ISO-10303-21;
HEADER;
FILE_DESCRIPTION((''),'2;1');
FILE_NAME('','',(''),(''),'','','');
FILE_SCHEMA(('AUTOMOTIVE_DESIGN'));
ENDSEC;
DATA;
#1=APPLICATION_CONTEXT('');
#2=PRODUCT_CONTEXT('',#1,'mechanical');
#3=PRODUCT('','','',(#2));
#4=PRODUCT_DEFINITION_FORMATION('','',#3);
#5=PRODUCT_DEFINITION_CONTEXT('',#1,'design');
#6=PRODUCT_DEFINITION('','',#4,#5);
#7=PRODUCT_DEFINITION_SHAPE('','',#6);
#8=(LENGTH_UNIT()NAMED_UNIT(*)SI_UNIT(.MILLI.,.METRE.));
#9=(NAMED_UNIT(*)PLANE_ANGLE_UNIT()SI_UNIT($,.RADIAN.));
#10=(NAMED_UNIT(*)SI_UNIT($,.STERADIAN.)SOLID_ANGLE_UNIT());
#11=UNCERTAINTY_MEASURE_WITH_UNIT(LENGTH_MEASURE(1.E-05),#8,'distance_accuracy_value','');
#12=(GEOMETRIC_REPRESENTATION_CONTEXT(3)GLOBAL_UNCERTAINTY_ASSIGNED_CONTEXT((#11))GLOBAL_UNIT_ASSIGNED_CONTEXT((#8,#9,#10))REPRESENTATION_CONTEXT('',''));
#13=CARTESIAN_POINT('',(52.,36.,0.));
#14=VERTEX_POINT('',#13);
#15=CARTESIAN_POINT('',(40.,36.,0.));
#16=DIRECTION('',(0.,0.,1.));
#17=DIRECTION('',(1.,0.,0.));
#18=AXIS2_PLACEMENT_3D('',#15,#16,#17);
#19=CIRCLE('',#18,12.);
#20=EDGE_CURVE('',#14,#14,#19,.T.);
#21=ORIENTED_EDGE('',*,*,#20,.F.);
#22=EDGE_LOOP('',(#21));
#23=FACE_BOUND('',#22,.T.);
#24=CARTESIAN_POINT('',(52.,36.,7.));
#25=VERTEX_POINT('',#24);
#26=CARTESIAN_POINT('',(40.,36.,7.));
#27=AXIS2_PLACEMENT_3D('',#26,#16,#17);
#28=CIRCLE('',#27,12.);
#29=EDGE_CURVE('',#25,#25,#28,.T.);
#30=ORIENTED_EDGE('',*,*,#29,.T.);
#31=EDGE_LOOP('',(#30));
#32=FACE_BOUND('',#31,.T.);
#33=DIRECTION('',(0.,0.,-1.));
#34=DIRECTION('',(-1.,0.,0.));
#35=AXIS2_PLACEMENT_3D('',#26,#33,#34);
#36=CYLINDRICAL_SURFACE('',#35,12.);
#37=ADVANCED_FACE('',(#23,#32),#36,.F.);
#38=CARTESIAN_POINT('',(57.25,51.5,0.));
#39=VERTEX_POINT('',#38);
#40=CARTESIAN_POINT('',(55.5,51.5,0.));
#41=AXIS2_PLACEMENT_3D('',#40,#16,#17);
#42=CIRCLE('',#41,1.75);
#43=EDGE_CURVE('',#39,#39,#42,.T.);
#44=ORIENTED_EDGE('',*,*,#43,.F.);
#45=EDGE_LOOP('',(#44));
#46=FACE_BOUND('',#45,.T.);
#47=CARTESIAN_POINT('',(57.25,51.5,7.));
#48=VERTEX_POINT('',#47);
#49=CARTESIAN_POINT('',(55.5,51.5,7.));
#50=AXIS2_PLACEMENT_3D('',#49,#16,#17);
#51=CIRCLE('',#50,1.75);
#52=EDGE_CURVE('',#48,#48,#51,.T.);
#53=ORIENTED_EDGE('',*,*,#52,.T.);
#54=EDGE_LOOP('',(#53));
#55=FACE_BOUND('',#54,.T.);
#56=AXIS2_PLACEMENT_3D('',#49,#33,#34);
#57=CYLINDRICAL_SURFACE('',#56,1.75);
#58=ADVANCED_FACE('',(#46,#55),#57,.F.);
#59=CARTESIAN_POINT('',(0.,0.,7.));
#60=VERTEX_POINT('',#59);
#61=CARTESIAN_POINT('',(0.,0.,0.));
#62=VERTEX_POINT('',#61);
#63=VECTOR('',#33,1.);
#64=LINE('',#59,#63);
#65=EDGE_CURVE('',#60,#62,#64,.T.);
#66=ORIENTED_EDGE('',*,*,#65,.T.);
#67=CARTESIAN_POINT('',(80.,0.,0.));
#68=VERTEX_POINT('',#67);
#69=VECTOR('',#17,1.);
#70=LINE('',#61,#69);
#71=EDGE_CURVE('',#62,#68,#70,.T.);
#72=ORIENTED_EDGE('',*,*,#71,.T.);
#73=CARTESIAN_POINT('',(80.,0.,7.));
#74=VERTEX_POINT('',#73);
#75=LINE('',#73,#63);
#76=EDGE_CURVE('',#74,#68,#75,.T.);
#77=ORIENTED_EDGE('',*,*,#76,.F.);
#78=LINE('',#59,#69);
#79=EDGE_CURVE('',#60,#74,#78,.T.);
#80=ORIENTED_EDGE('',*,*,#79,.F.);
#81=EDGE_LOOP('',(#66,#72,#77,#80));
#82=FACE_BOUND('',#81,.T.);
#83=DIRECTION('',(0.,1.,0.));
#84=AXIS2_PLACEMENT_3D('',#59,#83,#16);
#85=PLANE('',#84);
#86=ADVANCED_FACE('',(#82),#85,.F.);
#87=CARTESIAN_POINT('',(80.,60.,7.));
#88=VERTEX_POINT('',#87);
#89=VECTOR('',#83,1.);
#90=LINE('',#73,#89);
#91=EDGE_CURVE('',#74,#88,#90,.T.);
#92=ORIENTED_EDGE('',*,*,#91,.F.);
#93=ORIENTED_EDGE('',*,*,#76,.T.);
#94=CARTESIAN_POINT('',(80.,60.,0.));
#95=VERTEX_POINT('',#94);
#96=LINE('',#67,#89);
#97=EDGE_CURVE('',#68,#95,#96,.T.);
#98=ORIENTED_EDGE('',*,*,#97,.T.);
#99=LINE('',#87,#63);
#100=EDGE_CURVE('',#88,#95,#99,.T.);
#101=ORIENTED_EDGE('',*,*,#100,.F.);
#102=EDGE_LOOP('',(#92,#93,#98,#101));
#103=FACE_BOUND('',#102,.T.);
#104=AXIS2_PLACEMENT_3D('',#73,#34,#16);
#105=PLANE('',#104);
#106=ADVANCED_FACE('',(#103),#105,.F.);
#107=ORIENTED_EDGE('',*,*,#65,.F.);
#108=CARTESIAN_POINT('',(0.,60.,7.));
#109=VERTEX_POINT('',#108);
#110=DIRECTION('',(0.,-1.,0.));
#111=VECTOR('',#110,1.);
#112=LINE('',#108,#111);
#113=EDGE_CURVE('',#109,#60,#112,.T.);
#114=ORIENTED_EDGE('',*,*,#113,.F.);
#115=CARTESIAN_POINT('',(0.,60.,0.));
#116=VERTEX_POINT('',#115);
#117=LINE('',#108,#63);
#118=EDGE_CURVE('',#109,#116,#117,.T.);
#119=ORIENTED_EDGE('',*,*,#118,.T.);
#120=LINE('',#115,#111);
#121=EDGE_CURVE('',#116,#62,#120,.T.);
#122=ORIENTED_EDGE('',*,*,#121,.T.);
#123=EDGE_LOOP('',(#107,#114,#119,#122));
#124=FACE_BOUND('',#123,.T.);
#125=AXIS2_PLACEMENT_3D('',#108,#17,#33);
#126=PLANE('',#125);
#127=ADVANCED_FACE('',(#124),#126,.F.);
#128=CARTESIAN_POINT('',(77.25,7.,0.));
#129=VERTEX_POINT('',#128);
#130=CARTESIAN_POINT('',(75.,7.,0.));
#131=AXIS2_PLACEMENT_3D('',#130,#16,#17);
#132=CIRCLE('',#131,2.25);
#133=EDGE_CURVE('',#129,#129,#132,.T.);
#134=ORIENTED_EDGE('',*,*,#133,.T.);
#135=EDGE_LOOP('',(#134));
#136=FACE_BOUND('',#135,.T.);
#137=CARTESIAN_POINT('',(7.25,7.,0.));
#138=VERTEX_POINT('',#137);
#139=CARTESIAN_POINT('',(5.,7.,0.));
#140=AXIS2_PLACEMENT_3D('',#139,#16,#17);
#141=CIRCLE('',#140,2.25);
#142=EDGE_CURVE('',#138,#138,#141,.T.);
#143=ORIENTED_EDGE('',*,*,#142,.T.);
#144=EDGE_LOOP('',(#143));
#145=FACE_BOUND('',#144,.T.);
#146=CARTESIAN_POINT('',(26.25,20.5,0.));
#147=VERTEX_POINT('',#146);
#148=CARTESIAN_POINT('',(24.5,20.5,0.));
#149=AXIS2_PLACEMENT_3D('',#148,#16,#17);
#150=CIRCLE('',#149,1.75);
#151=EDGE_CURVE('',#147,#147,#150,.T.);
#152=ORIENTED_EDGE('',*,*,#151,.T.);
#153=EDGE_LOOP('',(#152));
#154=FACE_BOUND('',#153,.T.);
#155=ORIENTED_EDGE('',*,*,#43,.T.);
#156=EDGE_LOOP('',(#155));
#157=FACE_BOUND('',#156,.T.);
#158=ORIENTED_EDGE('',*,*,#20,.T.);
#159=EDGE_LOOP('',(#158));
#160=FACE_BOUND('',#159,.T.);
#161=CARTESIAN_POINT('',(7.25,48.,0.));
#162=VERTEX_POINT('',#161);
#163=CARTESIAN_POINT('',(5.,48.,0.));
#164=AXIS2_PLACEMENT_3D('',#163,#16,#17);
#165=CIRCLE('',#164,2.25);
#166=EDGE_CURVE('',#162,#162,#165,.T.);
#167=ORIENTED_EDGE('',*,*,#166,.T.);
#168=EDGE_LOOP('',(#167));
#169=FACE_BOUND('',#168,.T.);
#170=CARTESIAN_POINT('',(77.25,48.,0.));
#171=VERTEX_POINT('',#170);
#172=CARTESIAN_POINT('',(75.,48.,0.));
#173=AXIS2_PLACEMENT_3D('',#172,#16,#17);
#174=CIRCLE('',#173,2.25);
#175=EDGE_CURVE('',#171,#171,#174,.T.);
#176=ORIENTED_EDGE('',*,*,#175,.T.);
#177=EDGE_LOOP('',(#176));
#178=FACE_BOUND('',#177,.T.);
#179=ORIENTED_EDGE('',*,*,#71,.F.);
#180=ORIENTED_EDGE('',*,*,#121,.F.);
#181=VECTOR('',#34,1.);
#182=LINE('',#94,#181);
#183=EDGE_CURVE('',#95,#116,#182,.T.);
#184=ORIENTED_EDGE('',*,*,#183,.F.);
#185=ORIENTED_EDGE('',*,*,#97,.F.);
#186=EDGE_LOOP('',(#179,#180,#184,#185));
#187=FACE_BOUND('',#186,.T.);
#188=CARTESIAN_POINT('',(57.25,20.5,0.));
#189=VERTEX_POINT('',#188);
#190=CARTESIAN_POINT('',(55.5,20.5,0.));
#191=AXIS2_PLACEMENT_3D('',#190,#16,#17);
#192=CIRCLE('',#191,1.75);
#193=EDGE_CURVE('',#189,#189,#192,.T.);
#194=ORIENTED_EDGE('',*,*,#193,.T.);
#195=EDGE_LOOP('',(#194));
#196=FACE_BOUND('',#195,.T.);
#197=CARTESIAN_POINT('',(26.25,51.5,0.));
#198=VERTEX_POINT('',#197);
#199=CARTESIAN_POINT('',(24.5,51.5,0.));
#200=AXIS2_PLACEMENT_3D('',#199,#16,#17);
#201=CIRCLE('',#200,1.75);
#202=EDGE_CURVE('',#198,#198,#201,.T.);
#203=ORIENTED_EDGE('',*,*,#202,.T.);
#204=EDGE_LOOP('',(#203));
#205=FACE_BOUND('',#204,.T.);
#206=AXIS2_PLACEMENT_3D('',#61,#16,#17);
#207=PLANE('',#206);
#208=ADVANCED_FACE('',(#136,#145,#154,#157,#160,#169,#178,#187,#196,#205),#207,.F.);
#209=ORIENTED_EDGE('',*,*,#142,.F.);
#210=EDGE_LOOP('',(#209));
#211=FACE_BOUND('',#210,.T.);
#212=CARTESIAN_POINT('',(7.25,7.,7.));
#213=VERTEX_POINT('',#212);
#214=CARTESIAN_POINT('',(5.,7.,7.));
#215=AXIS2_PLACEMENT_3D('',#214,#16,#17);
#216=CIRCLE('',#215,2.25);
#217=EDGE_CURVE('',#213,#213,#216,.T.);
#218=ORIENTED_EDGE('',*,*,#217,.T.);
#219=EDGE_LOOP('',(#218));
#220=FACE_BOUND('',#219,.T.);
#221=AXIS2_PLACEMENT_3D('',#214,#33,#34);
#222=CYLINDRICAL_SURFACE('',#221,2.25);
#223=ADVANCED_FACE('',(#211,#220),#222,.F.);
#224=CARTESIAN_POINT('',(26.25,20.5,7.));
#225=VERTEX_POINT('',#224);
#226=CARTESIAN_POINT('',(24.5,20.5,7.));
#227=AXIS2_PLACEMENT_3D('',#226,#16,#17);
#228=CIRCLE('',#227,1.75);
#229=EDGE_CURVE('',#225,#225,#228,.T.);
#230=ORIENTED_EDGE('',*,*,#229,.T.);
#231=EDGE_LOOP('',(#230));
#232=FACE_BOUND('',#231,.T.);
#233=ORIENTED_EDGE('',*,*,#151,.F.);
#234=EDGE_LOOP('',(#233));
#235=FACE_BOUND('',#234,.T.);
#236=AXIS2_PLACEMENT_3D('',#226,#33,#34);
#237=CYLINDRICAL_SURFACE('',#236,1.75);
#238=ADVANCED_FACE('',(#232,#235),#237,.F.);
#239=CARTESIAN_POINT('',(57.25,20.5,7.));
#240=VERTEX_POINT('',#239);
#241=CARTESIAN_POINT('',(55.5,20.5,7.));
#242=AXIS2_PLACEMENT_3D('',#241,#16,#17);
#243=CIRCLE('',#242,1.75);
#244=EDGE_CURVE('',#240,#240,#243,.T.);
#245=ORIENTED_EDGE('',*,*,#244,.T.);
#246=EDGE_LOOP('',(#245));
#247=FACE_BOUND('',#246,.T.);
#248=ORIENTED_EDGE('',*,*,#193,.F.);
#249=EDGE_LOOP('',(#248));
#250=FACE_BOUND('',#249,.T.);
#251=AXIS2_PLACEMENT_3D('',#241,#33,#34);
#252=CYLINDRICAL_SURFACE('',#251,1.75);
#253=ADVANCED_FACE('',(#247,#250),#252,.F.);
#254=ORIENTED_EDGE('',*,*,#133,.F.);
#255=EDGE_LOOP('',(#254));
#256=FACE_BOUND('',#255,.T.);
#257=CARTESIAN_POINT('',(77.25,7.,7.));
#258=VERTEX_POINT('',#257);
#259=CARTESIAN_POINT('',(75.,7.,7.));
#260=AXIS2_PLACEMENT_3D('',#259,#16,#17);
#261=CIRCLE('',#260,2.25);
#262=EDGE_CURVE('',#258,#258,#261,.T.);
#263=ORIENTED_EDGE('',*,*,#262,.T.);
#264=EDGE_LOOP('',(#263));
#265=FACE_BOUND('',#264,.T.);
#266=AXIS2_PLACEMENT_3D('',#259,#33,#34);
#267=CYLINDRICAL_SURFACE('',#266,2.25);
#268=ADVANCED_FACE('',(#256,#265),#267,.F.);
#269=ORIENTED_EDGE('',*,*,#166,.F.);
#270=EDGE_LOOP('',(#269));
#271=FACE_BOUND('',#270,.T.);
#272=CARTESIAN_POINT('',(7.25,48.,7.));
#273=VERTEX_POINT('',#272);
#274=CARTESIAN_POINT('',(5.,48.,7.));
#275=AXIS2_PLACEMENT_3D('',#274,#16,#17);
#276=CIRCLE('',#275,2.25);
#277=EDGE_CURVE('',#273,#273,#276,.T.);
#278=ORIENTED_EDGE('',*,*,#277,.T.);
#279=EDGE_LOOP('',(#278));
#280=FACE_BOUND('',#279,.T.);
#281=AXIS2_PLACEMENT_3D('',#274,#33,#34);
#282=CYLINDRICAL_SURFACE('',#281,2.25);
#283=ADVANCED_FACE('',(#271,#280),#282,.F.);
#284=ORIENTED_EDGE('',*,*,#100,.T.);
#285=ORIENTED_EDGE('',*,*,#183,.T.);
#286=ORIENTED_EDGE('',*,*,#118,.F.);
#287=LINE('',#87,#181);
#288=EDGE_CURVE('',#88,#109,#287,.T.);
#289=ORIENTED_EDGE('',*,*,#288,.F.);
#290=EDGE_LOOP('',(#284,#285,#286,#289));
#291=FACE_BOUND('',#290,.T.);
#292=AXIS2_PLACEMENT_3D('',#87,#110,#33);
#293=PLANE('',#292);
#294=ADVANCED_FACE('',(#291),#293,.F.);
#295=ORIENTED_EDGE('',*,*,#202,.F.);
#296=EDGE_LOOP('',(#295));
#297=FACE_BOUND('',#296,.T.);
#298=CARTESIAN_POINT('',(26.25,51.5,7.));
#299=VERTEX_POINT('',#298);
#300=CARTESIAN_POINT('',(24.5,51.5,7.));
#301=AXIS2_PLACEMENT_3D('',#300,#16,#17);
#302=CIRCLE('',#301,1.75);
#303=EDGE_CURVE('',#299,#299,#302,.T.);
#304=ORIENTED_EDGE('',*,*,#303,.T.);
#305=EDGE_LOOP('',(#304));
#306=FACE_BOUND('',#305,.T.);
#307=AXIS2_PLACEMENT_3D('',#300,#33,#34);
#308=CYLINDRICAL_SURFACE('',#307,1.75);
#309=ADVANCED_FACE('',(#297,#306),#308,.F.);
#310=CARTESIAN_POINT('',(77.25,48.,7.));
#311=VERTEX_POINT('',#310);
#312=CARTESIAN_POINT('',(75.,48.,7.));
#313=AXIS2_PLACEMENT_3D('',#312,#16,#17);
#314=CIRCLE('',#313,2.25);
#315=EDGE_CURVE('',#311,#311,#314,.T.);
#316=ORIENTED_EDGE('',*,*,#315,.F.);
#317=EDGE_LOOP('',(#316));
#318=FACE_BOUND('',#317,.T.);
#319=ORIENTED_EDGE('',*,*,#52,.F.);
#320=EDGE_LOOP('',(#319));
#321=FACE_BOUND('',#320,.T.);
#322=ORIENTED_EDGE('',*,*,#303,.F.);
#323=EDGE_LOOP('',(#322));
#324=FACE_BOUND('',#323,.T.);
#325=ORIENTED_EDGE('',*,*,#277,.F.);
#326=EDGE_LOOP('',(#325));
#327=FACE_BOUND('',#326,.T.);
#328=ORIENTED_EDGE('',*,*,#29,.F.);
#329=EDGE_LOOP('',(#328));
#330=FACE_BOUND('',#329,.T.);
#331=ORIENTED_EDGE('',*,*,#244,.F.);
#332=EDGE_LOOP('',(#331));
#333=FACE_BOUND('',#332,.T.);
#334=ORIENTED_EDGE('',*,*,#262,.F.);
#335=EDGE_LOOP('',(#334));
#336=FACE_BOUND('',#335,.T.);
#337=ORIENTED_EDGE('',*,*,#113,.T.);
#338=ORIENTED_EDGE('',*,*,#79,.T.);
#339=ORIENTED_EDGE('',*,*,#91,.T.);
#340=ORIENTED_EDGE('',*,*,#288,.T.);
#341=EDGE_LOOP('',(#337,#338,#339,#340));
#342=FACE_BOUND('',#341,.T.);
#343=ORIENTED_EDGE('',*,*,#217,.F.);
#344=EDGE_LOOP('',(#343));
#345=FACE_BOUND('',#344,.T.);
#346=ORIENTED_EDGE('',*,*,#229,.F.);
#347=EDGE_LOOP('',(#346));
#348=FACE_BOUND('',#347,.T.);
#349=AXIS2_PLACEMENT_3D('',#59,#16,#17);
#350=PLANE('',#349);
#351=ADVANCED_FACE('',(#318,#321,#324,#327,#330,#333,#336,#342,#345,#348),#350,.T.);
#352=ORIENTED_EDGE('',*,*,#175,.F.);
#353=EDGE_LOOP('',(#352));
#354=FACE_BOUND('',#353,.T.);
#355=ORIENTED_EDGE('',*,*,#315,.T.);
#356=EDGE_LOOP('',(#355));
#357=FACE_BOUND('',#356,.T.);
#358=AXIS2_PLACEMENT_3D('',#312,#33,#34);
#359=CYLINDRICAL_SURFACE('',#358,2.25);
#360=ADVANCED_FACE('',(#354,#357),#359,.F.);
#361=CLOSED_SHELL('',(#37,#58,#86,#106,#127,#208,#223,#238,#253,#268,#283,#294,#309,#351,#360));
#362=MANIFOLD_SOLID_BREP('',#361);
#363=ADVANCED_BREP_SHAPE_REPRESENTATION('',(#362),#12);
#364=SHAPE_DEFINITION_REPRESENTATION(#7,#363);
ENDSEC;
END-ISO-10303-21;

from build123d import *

# Parameters (mm, degrees)
Z_MOTOR_MOUNT_W   = 80
Z_MOTOR_MOUNT_H   = 60
Z_MOTOR_MOUNT_R   = 12
Z_MOTOR_MOUNT_R_2 = 1.75
Z_MOTOR_MOUNT_R_3 = 2.25
F_7MM_DEPTH       = 7


with BuildPart() as part:
    # 外形与孔位_z_motor_mount → 板厚_7mm (new body)
    with BuildSketch(Plane.XY):
        with Locations((40, 30)):
            Rectangle(Z_MOTOR_MOUNT_W, Z_MOTOR_MOUNT_H)
        with Locations((40, 36)):
            Circle(Z_MOTOR_MOUNT_R, mode=Mode.SUBTRACT)
        with Locations((24.5, 20.5)):
            Circle(Z_MOTOR_MOUNT_R_2, mode=Mode.SUBTRACT)
        with Locations((24.5, 51.5)):
            Circle(Z_MOTOR_MOUNT_R_2, mode=Mode.SUBTRACT)
        with Locations((55.5, 20.5)):
            Circle(Z_MOTOR_MOUNT_R_2, mode=Mode.SUBTRACT)
        with Locations((55.5, 51.5)):
            Circle(Z_MOTOR_MOUNT_R_2, mode=Mode.SUBTRACT)
        with Locations((5, 7)):
            Circle(Z_MOTOR_MOUNT_R_3, mode=Mode.SUBTRACT)
        with Locations((5, 48)):
            Circle(Z_MOTOR_MOUNT_R_3, mode=Mode.SUBTRACT)
        with Locations((75, 7)):
            Circle(Z_MOTOR_MOUNT_R_3, mode=Mode.SUBTRACT)
        with Locations((75, 48)):
            Circle(Z_MOTOR_MOUNT_R_3, mode=Mode.SUBTRACT)
    extrude(amount=F_7MM_DEPTH)


solid = part.part
